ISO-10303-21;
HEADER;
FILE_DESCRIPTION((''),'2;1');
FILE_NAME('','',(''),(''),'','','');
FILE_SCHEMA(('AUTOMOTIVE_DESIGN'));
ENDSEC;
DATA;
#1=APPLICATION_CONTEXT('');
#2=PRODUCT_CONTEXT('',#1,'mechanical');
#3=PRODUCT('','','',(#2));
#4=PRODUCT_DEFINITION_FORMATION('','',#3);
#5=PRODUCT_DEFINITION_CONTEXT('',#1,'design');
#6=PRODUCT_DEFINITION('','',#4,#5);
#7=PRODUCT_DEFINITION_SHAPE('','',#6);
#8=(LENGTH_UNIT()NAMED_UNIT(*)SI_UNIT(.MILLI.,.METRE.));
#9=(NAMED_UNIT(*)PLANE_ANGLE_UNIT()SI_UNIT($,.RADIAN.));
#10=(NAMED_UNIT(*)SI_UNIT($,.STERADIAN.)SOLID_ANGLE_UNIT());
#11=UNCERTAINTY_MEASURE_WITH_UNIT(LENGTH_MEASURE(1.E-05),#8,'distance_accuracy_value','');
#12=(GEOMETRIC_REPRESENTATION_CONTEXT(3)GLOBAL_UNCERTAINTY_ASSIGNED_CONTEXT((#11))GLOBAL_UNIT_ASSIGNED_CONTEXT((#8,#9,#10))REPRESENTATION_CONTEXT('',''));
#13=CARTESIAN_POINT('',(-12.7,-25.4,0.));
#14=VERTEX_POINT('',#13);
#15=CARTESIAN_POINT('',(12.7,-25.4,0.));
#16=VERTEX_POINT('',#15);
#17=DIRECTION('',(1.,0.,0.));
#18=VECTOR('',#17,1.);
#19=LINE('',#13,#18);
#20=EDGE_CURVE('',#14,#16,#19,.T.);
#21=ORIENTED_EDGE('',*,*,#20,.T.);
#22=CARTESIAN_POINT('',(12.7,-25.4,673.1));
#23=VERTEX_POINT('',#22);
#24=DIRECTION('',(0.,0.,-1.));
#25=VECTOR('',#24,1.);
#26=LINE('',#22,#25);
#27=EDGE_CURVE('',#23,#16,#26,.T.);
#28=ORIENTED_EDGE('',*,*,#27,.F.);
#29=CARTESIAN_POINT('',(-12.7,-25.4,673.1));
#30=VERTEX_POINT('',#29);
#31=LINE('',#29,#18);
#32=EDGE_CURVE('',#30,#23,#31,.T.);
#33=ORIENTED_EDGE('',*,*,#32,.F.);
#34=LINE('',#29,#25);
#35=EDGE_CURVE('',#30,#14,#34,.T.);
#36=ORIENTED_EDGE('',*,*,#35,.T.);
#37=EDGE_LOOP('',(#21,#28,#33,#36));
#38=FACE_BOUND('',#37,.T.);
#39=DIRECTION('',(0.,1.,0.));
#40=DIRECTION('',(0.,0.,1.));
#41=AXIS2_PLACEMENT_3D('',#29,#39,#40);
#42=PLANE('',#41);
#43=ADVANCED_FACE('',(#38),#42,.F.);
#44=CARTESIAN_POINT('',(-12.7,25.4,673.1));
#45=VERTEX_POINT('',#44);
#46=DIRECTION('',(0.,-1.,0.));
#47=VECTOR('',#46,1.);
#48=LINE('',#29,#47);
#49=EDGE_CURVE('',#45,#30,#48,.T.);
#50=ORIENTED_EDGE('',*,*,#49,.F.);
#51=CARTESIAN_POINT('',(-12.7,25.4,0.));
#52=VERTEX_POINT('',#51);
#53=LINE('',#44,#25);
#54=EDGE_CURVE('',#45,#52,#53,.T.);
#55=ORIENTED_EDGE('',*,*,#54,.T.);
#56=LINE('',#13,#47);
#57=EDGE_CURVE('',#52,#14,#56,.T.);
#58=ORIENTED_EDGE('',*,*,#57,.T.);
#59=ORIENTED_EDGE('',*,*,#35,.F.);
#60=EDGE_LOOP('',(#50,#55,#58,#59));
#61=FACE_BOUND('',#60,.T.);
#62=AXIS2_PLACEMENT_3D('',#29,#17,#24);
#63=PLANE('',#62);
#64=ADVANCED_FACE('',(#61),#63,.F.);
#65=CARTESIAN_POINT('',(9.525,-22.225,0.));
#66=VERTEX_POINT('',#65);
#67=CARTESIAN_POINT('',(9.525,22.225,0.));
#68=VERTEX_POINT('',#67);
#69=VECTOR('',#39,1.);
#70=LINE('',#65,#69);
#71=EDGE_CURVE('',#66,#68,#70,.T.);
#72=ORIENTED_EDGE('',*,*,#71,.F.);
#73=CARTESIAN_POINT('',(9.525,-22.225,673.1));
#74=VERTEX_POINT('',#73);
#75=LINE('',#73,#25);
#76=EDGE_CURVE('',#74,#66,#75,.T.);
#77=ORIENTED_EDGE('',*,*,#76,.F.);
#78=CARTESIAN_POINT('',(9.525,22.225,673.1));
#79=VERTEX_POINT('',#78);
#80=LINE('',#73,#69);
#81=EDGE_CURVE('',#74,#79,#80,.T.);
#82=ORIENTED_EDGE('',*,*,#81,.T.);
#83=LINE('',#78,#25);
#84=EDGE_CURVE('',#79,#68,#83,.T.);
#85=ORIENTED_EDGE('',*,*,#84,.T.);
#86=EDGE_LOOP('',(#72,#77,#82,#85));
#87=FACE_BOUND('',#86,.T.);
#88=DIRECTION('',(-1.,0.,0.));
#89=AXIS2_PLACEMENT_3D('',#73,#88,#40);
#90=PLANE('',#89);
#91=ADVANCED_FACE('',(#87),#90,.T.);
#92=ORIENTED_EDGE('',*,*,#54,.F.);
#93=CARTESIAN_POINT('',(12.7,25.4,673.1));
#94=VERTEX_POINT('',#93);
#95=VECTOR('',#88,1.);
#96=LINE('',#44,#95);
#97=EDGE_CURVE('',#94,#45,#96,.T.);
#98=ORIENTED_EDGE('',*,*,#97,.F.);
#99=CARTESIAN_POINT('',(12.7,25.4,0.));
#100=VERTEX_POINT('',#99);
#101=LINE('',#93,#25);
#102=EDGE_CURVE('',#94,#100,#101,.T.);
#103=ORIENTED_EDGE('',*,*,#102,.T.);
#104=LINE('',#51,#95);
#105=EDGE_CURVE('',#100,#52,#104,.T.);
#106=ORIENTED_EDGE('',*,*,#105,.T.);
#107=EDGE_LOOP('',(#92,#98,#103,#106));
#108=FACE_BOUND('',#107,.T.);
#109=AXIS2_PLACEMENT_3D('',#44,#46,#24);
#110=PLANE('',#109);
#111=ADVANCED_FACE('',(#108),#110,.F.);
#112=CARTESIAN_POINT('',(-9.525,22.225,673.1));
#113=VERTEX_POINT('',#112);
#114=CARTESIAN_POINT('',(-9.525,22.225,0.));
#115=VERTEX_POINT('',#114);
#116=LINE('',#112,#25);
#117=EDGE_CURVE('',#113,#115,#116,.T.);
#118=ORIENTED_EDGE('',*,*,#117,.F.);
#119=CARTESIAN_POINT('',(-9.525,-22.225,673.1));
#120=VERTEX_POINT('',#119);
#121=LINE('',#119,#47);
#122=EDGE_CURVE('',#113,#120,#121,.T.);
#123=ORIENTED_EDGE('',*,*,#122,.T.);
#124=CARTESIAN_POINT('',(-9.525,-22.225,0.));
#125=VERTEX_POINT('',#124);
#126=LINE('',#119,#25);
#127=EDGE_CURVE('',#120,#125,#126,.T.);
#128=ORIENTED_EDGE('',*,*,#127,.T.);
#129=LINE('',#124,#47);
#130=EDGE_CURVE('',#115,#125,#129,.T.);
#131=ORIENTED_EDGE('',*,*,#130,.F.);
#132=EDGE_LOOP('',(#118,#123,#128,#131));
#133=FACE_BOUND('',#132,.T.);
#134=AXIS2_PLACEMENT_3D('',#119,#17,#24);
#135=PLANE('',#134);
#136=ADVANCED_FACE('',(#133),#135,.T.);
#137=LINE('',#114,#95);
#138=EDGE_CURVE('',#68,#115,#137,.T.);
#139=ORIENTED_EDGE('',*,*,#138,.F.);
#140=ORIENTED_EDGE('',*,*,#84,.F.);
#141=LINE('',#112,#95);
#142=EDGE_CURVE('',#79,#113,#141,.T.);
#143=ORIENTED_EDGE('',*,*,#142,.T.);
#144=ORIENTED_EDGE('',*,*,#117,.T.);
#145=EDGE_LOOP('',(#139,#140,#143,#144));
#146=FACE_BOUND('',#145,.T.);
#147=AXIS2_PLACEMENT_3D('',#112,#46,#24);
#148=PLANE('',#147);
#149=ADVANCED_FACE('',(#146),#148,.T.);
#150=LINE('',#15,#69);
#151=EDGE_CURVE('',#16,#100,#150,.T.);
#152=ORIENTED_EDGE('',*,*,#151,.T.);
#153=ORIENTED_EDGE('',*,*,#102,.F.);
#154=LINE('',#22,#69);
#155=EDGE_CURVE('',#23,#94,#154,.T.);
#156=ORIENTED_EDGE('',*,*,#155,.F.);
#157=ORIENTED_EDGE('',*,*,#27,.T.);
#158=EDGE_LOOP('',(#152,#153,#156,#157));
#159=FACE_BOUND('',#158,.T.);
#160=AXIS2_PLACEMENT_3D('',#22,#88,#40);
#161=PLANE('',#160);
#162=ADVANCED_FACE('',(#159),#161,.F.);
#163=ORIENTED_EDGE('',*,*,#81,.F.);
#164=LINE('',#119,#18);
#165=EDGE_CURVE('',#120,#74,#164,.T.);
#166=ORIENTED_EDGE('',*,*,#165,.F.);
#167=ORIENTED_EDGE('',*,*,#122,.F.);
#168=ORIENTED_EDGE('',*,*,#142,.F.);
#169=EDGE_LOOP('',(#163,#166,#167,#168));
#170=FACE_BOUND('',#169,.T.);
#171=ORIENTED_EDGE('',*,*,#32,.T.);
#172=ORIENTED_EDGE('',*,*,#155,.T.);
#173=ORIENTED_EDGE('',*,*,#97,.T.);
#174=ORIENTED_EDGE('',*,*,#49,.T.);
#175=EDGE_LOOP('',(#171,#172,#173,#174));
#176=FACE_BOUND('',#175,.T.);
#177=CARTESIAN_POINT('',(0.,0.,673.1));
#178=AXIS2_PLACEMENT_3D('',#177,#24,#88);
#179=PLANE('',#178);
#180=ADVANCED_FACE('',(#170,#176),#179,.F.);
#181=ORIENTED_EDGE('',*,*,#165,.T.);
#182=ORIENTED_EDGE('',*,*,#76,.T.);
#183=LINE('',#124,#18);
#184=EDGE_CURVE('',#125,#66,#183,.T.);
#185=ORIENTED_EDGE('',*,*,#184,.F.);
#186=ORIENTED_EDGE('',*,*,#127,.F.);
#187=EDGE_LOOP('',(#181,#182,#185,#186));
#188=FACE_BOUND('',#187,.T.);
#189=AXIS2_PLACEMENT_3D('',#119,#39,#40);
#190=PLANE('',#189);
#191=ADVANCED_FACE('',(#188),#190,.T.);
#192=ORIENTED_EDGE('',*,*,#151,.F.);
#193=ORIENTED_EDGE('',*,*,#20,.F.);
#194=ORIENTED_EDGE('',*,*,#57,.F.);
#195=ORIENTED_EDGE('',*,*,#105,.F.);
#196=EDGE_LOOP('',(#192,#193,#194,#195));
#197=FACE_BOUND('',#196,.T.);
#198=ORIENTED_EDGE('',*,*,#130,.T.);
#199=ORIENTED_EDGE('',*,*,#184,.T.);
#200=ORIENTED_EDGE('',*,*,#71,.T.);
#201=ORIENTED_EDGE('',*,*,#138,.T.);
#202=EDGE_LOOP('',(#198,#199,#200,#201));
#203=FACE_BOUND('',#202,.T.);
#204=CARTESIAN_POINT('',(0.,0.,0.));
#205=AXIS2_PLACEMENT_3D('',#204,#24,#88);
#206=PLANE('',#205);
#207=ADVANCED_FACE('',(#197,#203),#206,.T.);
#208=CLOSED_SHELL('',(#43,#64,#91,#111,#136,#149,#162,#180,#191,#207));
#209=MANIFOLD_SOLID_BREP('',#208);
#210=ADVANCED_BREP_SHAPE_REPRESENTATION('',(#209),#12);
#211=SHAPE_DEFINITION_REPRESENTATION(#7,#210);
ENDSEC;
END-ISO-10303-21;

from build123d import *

# Parameters (mm, degrees)
SKETCH1_W           = 25.4
SKETCH1_H           = 50.8
SKETCH1_W_2         = 19.05
SKETCH1_H_2         = 44.45
BOSS_EXTRUDE1_DEPTH = 673.1


with BuildPart() as part:
    # Sketch1 → Boss-Extrude1 (new body)
    with BuildSketch(Plane.XY):
        Rectangle(SKETCH1_W, SKETCH1_H)
        Rectangle(SKETCH1_W_2, SKETCH1_H_2, mode=Mode.SUBTRACT)
    extrude(amount=BOSS_EXTRUDE1_DEPTH)


solid = part.part
